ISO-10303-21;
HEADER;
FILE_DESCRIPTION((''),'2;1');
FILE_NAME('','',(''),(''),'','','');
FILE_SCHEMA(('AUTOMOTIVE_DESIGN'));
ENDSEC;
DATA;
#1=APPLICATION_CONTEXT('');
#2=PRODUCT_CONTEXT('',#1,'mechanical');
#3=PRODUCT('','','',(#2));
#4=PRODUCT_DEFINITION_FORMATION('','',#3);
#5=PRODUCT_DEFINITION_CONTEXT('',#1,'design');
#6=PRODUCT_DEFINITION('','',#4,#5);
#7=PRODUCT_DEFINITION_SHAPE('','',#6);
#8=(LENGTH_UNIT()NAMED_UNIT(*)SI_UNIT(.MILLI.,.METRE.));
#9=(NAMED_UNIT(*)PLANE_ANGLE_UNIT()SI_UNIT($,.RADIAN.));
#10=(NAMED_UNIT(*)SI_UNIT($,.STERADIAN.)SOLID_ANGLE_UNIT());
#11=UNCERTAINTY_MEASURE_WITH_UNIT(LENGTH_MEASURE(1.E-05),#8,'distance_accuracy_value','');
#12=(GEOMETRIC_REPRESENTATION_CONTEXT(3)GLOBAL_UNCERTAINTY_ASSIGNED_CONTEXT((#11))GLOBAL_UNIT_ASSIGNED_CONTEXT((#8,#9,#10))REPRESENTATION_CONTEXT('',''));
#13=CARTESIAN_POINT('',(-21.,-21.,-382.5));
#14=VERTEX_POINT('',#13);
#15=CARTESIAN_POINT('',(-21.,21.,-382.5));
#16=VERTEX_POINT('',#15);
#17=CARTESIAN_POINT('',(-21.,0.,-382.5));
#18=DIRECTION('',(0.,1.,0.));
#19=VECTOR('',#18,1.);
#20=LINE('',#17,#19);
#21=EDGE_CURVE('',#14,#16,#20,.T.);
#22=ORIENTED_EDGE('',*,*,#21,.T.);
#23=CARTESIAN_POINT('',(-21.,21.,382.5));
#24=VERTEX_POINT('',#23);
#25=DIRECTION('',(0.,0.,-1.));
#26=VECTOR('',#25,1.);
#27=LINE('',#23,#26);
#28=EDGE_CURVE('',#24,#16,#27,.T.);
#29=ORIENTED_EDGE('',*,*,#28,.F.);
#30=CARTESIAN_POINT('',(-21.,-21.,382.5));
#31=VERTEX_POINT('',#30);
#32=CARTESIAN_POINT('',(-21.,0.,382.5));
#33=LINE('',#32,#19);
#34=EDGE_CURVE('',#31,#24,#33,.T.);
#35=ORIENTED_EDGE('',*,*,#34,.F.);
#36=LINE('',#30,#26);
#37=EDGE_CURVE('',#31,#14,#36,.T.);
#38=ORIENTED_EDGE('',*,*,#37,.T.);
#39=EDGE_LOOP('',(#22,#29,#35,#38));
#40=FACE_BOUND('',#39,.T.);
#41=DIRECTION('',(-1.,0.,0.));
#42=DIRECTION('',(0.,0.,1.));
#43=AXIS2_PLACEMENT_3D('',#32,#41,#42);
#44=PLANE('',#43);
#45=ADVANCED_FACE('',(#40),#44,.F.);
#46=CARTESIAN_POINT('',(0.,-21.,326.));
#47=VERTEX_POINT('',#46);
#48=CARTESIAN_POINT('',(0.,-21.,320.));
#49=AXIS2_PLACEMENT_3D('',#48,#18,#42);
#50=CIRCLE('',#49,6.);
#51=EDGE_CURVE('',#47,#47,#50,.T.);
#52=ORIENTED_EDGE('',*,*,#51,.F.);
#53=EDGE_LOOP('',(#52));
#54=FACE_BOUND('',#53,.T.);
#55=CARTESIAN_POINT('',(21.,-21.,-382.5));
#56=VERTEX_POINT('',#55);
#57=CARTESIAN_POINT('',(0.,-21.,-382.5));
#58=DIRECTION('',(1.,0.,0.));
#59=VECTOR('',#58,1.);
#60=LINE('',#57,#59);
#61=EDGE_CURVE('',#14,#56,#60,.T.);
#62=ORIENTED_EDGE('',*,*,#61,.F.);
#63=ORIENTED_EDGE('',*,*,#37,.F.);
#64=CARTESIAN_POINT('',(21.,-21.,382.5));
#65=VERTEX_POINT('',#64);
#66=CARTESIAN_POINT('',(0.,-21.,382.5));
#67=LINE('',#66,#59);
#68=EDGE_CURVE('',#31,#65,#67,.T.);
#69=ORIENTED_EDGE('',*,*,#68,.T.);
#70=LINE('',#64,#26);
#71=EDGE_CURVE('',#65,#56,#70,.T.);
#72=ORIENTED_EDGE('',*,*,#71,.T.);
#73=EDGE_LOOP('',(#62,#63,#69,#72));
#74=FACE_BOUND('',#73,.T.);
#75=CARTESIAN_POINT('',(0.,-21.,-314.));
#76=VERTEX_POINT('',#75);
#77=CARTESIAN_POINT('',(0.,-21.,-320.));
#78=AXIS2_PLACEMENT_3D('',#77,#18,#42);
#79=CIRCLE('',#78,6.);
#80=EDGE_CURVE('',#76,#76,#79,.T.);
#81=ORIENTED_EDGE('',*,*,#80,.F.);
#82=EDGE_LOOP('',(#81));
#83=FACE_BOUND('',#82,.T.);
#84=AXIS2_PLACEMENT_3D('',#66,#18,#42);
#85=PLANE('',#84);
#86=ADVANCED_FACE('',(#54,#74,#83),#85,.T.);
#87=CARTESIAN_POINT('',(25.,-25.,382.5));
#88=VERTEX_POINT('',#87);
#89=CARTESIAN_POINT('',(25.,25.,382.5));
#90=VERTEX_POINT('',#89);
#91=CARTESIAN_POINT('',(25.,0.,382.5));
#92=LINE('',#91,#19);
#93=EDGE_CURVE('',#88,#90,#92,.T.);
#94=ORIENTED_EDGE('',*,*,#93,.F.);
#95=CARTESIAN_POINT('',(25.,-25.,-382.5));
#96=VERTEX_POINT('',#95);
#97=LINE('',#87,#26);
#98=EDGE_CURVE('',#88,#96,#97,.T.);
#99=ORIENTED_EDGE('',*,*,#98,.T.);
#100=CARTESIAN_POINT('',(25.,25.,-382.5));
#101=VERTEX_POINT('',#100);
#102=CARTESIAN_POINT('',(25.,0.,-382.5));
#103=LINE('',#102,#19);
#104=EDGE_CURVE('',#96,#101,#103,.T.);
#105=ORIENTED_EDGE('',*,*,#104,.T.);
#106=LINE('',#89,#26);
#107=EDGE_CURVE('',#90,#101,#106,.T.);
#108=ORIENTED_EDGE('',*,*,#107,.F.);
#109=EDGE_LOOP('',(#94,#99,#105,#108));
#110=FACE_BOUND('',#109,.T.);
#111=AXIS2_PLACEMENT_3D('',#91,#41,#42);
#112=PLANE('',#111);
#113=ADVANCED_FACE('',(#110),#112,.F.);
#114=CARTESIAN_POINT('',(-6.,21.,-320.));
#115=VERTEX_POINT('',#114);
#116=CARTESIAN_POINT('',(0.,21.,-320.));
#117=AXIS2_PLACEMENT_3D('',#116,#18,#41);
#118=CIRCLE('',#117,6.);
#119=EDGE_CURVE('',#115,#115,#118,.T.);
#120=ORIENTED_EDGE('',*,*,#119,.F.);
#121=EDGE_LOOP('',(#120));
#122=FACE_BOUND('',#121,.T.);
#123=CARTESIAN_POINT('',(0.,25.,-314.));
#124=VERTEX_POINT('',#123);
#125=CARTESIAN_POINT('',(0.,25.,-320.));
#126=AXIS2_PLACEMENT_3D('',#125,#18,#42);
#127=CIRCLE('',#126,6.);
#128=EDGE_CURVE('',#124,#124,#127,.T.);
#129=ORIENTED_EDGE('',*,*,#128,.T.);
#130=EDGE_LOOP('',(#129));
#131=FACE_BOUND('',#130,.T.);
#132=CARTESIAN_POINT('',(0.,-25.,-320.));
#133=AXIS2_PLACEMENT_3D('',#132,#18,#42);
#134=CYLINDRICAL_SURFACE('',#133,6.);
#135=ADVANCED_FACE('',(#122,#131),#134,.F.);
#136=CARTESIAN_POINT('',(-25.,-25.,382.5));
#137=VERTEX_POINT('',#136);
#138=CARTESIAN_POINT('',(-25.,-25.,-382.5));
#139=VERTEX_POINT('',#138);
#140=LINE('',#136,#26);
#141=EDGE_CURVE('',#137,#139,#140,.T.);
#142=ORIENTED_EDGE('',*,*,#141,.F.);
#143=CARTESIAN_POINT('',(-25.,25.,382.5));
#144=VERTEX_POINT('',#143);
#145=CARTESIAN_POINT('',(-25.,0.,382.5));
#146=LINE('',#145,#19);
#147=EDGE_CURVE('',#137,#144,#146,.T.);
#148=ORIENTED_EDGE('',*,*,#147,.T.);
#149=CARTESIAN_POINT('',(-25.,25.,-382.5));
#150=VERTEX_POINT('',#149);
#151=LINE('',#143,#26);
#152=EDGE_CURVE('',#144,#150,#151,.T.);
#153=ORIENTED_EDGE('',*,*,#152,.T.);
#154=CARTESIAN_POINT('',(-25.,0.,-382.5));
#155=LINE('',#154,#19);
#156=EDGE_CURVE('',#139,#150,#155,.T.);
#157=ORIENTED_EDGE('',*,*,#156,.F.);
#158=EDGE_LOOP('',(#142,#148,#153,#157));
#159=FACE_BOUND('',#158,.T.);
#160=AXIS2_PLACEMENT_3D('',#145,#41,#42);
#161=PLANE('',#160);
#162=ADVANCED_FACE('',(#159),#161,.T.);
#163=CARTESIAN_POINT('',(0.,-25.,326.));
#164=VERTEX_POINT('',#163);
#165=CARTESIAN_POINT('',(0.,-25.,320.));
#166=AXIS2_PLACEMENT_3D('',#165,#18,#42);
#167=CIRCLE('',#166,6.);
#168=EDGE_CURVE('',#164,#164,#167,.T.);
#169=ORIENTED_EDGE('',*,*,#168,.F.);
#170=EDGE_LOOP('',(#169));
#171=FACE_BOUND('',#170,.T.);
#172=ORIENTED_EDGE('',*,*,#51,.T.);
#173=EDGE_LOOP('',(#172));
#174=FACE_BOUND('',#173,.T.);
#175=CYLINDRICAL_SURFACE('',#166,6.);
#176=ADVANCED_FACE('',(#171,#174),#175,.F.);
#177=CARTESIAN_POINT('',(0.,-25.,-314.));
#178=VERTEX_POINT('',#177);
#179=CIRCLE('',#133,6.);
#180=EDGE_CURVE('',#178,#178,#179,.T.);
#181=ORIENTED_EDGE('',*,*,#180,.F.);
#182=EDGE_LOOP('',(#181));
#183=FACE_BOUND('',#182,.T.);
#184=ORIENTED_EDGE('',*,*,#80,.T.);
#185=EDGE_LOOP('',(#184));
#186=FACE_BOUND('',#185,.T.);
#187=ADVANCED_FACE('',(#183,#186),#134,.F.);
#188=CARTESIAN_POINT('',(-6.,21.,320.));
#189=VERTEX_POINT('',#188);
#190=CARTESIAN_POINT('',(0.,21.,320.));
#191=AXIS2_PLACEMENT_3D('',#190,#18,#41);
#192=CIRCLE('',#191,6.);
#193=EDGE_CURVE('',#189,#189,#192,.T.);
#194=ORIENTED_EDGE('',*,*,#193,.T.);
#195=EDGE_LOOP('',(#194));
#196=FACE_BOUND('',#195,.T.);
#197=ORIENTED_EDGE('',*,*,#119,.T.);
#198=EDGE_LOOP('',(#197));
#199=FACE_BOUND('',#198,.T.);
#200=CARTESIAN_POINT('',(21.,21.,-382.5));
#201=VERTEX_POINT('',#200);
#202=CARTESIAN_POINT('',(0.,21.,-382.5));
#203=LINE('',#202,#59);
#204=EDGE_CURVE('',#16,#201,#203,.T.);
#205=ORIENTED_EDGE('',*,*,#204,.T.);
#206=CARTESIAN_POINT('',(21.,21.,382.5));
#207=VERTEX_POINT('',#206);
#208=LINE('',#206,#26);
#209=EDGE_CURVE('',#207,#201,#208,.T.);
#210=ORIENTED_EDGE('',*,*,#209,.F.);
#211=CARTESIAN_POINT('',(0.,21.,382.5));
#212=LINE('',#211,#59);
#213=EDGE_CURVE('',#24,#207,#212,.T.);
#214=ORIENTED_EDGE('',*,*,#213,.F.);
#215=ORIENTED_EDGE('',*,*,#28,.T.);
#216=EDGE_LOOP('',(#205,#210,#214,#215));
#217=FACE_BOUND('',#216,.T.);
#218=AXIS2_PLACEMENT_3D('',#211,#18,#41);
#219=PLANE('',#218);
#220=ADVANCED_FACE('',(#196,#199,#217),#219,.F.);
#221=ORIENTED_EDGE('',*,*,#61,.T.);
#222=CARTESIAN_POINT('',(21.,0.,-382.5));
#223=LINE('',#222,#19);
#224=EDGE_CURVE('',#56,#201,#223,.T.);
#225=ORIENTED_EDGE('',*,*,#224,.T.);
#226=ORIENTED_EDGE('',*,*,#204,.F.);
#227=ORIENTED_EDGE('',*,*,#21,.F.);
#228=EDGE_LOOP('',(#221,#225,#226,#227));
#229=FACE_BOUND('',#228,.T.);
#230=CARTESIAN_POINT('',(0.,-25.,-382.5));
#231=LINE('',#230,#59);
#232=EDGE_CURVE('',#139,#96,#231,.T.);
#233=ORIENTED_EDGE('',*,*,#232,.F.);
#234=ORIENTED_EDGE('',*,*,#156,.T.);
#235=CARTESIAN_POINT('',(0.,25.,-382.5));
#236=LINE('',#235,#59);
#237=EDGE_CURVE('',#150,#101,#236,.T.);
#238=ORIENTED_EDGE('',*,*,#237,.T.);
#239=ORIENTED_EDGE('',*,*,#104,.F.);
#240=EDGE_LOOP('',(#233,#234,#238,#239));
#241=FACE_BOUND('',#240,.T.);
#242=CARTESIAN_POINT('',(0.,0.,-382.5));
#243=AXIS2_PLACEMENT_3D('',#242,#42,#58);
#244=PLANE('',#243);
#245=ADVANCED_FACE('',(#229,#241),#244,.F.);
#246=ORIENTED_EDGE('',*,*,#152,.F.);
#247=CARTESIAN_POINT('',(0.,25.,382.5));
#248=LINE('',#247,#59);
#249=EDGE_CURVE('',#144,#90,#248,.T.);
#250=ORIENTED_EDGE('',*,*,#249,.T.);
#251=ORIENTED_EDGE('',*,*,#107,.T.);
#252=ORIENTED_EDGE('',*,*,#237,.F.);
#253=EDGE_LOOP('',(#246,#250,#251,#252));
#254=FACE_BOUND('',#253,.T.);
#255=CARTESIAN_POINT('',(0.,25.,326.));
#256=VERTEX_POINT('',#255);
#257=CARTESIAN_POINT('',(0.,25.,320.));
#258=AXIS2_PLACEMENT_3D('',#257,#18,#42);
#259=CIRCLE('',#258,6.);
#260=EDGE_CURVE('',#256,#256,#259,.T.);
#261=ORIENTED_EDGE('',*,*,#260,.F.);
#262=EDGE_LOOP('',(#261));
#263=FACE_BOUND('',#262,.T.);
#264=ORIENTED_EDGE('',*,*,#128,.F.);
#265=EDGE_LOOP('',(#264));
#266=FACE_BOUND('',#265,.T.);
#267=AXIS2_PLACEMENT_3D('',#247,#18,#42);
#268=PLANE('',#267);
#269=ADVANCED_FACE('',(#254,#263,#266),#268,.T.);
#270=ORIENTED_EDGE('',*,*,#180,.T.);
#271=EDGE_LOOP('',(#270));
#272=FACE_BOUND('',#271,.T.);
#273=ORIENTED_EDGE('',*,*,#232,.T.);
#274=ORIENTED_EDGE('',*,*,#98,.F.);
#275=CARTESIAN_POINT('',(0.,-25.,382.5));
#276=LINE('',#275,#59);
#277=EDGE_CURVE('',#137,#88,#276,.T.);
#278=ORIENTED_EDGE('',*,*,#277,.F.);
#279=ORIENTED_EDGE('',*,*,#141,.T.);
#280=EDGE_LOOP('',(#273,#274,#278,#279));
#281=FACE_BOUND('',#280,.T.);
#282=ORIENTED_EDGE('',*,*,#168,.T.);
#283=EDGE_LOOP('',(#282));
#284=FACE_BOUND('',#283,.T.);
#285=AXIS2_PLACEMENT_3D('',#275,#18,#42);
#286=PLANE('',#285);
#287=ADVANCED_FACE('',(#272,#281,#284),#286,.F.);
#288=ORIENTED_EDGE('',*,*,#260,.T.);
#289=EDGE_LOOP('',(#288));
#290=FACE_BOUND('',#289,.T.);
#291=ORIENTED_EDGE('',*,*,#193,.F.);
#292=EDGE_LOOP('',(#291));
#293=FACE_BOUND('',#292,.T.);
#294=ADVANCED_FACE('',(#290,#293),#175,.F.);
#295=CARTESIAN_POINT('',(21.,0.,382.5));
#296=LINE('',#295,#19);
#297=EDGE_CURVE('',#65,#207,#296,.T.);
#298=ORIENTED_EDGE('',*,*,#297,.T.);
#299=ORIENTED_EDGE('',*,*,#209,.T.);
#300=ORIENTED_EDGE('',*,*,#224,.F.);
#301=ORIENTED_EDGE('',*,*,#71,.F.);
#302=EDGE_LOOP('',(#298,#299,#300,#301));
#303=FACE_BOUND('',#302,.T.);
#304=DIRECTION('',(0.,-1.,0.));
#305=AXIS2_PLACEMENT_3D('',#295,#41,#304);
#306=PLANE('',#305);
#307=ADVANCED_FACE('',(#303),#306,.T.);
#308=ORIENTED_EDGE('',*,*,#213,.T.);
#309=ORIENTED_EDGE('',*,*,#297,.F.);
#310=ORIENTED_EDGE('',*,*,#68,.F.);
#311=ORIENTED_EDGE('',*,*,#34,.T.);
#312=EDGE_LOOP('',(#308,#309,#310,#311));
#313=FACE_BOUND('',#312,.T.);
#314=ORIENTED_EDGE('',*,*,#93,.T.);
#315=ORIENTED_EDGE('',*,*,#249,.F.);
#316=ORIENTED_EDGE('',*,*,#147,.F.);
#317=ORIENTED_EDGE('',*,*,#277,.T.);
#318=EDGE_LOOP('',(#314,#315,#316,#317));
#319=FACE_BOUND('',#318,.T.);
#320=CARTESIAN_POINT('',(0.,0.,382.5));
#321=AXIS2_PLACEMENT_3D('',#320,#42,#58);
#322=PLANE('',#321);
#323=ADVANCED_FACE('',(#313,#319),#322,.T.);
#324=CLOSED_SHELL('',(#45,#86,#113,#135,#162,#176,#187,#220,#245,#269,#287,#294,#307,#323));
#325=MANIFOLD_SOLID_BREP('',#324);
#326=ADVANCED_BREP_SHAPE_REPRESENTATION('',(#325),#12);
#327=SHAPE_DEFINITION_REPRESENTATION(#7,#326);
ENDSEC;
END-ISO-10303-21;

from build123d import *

# Parameters (mm, degrees)
SKETCH_1_W          = 50
SKETCH_1_H          = 50
SKETCH_1_W_2        = 42
SKETCH_1_H_2        = 42
EXTRUDE_1_DEPTH     = 382.5
SKETCH_2_R          = 6
CUT_EXTRUDE_1_DEPTH = 387.563384195


with BuildPart() as part:
    # 草图1 → 凸台-拉伸1 (new, symmetric)
    with BuildSketch(Plane.XY):
        Rectangle(SKETCH_1_W, SKETCH_1_H)
        Rectangle(SKETCH_1_W_2, SKETCH_1_H_2, mode=Mode.SUBTRACT)
    extrude(amount=EXTRUDE_1_DEPTH, both=True)

    # 草图2 → 切除-拉伸1 (cut, through all)
    with BuildSketch(Plane(origin=(0, 25, 0), x_dir=(1, 0, 0), z_dir=(0, 1, 0))):
        with Locations(Location((0, 320, 0), (0, 0, 270))):
            Circle(SKETCH_2_R)
        with Locations(Location((0, -320, 0), (0, 0, 270))):
            Circle(SKETCH_2_R)
    extrude(amount=-CUT_EXTRUDE_1_DEPTH, mode=Mode.SUBTRACT)


solid = part.part
